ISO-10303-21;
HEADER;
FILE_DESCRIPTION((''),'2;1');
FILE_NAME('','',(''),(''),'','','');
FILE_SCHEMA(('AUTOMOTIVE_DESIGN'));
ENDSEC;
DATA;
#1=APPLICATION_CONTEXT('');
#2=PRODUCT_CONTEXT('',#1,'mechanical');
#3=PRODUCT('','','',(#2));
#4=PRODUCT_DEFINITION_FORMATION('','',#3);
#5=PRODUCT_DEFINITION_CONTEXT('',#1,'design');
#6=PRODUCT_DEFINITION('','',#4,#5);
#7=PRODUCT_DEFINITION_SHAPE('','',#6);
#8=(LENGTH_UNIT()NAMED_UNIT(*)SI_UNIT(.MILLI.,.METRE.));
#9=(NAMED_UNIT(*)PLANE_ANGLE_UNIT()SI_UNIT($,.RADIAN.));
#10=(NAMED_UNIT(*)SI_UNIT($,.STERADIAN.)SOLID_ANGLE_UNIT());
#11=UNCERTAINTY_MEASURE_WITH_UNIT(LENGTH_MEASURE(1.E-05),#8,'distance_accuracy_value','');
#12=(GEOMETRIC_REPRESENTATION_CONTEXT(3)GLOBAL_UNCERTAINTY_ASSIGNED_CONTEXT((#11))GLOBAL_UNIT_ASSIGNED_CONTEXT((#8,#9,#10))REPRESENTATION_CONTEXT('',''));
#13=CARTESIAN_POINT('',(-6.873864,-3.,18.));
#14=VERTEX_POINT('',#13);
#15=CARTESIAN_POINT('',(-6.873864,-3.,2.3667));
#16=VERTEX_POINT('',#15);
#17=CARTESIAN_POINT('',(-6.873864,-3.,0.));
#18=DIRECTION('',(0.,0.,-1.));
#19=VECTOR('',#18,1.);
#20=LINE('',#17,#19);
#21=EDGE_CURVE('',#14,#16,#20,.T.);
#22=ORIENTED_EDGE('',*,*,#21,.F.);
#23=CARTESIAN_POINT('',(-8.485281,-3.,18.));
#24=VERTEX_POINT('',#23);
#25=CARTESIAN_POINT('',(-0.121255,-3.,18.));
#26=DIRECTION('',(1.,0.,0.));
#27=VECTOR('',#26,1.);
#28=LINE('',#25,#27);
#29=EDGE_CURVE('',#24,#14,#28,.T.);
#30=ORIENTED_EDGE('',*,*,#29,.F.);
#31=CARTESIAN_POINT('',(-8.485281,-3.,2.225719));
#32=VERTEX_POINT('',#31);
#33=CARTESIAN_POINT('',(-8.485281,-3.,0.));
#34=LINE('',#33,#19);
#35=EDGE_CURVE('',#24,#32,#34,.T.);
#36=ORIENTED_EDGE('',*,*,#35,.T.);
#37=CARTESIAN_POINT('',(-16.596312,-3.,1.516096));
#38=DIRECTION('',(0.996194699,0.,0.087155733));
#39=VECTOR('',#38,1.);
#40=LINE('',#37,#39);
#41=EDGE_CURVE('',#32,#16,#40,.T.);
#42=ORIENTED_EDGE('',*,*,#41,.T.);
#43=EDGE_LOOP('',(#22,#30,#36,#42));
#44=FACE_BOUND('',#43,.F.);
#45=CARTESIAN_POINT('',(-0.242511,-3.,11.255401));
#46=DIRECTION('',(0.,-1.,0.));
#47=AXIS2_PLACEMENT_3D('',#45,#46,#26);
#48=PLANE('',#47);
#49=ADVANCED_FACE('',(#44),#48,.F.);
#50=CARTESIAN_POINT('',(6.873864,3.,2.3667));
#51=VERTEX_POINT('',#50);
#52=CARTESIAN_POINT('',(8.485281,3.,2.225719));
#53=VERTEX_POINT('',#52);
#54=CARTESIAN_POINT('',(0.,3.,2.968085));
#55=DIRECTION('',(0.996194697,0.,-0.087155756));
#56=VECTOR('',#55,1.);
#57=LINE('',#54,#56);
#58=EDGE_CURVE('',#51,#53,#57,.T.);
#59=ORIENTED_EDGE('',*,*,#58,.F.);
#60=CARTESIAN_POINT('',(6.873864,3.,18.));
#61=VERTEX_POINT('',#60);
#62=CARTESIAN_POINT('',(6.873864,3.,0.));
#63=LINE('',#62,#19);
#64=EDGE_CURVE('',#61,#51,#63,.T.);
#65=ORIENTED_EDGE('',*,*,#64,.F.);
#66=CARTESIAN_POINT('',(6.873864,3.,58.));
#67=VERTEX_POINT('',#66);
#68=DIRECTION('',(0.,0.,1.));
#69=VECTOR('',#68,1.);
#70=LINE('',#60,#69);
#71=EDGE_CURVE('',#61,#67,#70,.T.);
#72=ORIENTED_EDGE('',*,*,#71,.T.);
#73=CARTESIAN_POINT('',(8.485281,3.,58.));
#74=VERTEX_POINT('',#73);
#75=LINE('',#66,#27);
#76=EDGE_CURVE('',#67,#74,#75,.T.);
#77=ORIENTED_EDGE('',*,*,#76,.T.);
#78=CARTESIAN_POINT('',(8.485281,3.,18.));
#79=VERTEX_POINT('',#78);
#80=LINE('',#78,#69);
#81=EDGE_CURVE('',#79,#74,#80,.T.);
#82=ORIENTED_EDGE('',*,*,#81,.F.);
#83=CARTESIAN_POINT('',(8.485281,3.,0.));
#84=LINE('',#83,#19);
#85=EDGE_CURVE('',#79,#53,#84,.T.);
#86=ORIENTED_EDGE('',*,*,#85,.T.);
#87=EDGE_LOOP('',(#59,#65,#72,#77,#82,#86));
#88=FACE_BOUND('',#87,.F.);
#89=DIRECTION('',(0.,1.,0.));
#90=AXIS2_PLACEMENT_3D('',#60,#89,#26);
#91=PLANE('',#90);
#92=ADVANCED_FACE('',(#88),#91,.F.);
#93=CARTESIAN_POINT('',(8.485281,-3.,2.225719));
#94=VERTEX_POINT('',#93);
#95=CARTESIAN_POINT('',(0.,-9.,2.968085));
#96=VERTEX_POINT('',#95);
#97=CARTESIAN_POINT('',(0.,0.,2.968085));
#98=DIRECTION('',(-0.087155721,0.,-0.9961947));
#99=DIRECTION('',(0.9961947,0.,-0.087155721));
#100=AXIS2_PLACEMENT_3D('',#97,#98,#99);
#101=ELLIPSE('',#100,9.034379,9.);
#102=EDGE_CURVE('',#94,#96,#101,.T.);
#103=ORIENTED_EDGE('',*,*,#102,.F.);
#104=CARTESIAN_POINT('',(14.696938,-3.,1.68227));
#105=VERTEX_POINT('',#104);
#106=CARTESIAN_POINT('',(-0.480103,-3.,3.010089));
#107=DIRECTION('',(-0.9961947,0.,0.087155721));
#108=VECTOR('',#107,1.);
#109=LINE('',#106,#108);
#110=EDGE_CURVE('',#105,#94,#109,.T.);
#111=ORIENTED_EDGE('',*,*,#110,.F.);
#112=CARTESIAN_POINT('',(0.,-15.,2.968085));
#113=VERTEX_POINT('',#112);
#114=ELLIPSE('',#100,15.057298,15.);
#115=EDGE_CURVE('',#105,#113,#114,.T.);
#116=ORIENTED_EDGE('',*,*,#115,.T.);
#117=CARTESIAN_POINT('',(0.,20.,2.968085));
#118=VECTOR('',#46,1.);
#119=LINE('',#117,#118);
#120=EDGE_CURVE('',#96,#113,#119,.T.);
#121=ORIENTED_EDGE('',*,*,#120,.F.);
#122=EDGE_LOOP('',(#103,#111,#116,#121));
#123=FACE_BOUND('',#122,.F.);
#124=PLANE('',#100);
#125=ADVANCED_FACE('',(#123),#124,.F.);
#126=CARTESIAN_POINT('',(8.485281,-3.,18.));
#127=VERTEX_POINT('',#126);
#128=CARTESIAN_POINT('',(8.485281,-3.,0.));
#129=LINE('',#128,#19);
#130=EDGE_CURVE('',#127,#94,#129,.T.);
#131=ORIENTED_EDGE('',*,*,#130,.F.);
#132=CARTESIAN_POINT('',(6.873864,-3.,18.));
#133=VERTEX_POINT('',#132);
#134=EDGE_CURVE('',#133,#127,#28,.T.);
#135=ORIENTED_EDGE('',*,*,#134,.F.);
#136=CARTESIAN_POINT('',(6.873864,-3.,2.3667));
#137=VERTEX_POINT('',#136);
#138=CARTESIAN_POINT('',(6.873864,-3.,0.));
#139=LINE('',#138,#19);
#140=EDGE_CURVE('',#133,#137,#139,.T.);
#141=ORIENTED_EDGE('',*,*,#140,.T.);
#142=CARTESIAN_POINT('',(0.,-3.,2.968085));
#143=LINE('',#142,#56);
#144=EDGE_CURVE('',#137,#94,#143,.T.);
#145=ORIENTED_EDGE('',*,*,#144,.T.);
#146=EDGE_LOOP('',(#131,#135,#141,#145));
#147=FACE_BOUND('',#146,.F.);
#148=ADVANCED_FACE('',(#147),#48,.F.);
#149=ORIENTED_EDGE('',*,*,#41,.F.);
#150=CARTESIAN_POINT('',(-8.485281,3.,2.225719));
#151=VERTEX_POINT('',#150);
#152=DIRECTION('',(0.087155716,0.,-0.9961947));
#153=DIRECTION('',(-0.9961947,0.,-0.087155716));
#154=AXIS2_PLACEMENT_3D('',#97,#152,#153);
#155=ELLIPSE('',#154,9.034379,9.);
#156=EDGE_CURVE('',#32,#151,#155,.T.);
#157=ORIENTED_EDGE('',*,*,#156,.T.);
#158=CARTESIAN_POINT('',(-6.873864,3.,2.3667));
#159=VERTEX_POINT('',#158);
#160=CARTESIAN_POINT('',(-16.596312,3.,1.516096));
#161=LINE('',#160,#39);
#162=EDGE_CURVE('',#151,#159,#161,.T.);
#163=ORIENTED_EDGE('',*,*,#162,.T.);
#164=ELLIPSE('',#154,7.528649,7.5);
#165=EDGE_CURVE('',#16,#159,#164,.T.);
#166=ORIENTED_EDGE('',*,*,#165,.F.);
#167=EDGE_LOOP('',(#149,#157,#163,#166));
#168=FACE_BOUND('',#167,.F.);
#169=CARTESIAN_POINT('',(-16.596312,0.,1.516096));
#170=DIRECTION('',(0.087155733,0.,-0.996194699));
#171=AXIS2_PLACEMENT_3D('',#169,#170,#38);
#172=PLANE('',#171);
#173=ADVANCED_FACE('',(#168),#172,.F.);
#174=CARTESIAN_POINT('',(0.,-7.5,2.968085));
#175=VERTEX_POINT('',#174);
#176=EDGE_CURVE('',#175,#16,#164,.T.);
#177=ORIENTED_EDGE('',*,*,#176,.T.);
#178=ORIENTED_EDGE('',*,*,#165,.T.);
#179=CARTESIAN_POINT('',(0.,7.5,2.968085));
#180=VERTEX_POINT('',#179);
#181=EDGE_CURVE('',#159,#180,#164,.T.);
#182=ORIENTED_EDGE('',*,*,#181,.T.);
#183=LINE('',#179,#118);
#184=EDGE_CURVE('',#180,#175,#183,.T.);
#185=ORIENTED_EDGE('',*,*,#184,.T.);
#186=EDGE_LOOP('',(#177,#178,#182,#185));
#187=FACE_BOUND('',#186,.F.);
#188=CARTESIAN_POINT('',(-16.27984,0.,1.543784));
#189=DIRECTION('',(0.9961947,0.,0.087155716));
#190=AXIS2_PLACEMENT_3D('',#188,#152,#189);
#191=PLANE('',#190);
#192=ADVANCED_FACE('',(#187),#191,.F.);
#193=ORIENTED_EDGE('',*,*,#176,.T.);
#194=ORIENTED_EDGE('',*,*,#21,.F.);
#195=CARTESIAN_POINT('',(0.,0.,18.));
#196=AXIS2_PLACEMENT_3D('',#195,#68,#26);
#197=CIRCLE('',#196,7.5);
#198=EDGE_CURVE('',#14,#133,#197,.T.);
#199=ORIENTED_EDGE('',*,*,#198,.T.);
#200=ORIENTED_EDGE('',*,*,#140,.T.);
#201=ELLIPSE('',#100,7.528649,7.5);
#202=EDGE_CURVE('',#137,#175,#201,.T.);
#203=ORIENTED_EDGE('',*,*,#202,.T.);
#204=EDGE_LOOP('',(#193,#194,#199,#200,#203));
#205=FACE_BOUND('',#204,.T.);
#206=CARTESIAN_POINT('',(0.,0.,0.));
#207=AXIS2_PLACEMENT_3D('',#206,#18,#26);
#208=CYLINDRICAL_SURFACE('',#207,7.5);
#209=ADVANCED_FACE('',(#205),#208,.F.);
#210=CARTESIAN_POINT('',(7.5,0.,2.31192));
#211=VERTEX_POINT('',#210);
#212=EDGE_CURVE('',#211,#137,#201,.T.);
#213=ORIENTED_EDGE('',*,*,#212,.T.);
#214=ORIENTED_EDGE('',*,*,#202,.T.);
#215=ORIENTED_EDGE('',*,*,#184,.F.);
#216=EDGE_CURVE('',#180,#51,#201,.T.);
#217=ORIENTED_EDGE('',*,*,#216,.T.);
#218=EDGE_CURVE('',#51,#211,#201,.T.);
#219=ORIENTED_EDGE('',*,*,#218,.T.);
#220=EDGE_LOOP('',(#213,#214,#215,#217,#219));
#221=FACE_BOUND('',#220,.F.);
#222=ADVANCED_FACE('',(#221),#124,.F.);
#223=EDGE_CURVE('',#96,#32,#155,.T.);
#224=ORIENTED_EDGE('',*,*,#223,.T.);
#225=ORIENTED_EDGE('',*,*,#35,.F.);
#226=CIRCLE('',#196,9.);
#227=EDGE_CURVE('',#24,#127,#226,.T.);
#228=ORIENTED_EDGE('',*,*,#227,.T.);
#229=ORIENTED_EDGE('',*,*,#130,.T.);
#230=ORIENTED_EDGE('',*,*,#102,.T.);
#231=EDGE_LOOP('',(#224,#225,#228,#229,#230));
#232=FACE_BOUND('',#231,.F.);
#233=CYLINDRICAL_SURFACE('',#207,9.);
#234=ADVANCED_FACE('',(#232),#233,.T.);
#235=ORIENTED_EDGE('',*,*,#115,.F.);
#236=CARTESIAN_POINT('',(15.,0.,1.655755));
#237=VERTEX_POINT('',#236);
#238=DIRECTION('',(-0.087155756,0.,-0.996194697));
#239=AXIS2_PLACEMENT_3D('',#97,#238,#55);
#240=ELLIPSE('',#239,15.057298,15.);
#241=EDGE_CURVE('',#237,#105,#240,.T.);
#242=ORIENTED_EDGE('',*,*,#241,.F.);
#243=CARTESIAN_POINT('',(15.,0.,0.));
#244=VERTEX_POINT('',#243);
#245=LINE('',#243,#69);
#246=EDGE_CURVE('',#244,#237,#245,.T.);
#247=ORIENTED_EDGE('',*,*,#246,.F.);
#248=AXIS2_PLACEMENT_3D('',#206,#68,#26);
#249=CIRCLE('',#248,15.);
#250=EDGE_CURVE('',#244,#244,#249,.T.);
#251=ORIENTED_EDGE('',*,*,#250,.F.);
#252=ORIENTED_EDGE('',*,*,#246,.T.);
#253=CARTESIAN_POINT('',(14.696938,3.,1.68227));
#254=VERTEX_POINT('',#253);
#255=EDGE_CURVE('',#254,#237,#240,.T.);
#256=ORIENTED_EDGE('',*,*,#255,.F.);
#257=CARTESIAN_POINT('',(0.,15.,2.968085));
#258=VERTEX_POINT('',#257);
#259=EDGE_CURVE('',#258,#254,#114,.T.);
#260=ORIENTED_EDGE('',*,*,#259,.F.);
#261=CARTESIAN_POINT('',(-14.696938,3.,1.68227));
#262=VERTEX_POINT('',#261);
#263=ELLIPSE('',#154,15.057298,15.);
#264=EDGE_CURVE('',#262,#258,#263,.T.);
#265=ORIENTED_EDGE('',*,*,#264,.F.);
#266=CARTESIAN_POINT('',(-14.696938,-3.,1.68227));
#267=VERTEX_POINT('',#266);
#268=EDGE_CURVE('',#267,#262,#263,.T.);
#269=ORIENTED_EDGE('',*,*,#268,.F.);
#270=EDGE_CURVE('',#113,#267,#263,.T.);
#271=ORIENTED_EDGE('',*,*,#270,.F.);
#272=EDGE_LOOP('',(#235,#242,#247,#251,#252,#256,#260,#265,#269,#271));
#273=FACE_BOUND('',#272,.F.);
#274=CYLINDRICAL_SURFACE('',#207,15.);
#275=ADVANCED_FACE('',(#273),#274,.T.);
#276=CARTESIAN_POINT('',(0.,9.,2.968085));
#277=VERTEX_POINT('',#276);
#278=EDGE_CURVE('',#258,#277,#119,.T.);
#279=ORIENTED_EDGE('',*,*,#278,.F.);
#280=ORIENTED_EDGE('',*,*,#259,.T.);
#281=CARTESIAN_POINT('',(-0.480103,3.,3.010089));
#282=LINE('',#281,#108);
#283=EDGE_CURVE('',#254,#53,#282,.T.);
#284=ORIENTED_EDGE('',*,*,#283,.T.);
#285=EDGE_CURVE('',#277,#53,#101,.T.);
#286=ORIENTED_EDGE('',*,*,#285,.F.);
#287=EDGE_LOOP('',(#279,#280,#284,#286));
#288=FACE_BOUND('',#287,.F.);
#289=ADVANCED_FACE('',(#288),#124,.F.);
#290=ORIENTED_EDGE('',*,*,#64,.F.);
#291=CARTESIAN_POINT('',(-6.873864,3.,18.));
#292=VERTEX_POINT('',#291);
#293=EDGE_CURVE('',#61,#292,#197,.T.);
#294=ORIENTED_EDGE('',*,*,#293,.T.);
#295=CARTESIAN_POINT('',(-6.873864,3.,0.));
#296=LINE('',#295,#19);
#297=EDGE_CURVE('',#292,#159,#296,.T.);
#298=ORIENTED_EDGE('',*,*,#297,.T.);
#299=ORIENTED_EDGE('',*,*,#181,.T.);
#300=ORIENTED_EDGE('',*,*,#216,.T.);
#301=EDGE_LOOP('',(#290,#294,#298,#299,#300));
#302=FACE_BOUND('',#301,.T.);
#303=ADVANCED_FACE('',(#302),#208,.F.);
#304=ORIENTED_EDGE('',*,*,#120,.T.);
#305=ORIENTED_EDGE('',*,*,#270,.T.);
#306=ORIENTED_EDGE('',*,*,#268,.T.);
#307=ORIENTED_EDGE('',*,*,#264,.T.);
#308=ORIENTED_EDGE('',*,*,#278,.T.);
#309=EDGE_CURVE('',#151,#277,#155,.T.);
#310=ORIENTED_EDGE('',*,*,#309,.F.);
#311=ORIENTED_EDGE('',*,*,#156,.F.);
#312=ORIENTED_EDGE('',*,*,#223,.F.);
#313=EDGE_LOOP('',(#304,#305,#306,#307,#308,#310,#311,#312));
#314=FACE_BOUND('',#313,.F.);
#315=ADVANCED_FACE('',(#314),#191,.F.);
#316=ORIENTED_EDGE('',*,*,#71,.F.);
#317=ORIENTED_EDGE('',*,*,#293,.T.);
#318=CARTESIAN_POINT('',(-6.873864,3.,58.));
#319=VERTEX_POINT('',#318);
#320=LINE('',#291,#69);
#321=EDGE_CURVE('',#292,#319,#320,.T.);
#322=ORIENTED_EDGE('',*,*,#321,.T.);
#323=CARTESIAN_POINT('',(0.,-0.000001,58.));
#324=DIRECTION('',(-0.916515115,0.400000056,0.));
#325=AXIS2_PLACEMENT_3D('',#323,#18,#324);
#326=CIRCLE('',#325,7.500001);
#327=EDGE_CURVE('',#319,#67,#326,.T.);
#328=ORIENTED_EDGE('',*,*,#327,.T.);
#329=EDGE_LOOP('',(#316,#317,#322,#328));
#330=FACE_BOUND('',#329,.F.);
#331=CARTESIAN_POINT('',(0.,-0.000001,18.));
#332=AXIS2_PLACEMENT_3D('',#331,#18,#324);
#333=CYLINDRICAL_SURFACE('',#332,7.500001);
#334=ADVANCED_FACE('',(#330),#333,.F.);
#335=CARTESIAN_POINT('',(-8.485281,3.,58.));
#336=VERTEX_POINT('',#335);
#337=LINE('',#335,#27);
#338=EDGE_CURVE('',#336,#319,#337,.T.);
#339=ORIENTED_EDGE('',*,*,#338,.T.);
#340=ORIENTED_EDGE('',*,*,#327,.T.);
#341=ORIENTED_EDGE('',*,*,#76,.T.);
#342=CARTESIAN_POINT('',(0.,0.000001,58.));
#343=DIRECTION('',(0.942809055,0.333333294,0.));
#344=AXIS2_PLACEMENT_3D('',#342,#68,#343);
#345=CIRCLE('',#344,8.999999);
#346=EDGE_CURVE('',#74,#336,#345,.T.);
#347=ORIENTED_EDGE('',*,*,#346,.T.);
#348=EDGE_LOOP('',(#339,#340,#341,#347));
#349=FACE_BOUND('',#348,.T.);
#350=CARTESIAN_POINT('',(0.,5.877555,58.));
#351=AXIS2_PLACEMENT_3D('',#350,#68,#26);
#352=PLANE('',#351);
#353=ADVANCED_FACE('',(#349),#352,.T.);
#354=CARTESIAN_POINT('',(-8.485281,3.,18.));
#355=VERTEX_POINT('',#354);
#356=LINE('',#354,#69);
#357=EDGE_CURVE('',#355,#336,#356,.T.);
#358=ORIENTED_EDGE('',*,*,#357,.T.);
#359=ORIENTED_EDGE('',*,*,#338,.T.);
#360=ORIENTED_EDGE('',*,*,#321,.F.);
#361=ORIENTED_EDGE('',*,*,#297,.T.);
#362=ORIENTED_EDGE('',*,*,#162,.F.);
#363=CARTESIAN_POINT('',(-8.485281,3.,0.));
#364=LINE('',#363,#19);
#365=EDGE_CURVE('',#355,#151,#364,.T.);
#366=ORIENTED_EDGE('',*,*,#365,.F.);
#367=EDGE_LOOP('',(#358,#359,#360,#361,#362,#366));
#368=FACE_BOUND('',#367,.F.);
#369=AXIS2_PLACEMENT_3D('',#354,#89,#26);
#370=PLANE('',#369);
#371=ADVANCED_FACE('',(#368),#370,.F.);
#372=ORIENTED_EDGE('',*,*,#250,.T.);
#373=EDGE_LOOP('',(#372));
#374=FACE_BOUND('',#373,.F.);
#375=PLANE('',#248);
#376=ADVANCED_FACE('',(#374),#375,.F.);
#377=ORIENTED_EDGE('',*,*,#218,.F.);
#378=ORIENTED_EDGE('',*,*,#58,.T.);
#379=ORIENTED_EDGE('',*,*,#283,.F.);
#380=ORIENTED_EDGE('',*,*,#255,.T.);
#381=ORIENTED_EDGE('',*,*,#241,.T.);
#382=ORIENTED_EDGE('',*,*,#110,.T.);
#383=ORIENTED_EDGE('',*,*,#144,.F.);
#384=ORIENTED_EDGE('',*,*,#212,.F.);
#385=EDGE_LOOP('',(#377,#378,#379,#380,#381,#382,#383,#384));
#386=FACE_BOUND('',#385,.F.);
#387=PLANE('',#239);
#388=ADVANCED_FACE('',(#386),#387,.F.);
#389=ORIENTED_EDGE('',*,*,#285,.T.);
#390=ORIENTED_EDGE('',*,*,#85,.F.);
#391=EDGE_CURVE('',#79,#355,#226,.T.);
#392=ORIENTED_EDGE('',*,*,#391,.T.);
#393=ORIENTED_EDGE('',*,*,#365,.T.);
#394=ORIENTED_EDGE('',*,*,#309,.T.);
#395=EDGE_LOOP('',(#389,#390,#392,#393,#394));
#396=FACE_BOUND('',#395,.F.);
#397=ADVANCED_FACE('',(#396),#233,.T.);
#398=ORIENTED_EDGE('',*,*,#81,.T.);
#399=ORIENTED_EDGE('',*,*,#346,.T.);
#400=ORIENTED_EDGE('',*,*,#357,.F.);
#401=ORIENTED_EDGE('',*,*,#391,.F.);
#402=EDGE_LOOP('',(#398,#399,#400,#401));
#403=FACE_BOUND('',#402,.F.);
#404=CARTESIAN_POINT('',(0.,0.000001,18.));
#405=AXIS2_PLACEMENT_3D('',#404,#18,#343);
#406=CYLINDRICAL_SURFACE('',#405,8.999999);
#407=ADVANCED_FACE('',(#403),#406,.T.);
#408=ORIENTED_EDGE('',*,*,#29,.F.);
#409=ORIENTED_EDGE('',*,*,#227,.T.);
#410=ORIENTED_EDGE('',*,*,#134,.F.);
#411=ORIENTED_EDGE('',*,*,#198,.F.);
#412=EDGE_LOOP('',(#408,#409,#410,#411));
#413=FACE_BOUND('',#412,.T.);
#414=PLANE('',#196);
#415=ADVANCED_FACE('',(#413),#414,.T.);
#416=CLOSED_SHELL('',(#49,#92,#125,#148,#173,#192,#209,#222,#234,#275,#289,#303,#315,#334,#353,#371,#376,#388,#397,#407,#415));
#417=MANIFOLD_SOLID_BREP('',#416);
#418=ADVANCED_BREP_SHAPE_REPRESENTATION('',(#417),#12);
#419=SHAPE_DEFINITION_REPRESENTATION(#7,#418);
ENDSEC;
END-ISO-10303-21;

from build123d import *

# Parameters (mm, degrees)
F0_R     = 15
F1_DEPTH = 3
F3_DEPTH = 20
F4_R     = 9
F4_R_2   = 7.5
F5_DEPTH = 18
F7_DEPTH = 3
F9_DEPTH = 40


with BuildPart() as f1:
    # F0 (on Top) → F1 (new body)
    with BuildSketch(Plane.XY):
        Circle(F0_R)
    extrude(amount=F1_DEPTH)

    # F2 (on Front) → F3 (cut, symmetric)
    with BuildSketch(Plane.XZ):
        Polygon((-16.27984, 1.543784), (0, 2.968085), (16.030641, 1.565586), (16.030641, 3.755485), (-16.27984, 3.755485), align=None)
    extrude(amount=F3_DEPTH, both=True, mode=Mode.SUBTRACT)

    # F4 (on Top) → F5 (join)
    with BuildSketch(Plane.XY):
        Circle(F4_R)
        Circle(F4_R_2, mode=Mode.SUBTRACT)
    extrude(amount=F5_DEPTH)

    # F6 (on Front) → F7 (cut, symmetric)
    with BuildSketch(Plane.XZ):
        Polygon((16.263659, 20.495596), (-16.880802, 20.495596), (-16.596312, 1.516096), (0, 2.968085), (16.263659, 1.545199), align=None)
    extrude(amount=F7_DEPTH, both=True, mode=Mode.SUBTRACT)

    # F8 (on face) → F9 (join)
    with BuildSketch(Plane.XY.offset(18)):
        with BuildLine():
            Line((6.873864, 3), (8.485281, 3))
            ThreePointArc((8.485281, 3), (0, 9), (-8.485281, 3))
            Line((-8.485281, 3), (-6.873864, 3))
            ThreePointArc((-6.873864, 3), (0, 7.5), (6.873864, 3))
        make_face()
    extrude(amount=F9_DEPTH)


solid = f1.part
